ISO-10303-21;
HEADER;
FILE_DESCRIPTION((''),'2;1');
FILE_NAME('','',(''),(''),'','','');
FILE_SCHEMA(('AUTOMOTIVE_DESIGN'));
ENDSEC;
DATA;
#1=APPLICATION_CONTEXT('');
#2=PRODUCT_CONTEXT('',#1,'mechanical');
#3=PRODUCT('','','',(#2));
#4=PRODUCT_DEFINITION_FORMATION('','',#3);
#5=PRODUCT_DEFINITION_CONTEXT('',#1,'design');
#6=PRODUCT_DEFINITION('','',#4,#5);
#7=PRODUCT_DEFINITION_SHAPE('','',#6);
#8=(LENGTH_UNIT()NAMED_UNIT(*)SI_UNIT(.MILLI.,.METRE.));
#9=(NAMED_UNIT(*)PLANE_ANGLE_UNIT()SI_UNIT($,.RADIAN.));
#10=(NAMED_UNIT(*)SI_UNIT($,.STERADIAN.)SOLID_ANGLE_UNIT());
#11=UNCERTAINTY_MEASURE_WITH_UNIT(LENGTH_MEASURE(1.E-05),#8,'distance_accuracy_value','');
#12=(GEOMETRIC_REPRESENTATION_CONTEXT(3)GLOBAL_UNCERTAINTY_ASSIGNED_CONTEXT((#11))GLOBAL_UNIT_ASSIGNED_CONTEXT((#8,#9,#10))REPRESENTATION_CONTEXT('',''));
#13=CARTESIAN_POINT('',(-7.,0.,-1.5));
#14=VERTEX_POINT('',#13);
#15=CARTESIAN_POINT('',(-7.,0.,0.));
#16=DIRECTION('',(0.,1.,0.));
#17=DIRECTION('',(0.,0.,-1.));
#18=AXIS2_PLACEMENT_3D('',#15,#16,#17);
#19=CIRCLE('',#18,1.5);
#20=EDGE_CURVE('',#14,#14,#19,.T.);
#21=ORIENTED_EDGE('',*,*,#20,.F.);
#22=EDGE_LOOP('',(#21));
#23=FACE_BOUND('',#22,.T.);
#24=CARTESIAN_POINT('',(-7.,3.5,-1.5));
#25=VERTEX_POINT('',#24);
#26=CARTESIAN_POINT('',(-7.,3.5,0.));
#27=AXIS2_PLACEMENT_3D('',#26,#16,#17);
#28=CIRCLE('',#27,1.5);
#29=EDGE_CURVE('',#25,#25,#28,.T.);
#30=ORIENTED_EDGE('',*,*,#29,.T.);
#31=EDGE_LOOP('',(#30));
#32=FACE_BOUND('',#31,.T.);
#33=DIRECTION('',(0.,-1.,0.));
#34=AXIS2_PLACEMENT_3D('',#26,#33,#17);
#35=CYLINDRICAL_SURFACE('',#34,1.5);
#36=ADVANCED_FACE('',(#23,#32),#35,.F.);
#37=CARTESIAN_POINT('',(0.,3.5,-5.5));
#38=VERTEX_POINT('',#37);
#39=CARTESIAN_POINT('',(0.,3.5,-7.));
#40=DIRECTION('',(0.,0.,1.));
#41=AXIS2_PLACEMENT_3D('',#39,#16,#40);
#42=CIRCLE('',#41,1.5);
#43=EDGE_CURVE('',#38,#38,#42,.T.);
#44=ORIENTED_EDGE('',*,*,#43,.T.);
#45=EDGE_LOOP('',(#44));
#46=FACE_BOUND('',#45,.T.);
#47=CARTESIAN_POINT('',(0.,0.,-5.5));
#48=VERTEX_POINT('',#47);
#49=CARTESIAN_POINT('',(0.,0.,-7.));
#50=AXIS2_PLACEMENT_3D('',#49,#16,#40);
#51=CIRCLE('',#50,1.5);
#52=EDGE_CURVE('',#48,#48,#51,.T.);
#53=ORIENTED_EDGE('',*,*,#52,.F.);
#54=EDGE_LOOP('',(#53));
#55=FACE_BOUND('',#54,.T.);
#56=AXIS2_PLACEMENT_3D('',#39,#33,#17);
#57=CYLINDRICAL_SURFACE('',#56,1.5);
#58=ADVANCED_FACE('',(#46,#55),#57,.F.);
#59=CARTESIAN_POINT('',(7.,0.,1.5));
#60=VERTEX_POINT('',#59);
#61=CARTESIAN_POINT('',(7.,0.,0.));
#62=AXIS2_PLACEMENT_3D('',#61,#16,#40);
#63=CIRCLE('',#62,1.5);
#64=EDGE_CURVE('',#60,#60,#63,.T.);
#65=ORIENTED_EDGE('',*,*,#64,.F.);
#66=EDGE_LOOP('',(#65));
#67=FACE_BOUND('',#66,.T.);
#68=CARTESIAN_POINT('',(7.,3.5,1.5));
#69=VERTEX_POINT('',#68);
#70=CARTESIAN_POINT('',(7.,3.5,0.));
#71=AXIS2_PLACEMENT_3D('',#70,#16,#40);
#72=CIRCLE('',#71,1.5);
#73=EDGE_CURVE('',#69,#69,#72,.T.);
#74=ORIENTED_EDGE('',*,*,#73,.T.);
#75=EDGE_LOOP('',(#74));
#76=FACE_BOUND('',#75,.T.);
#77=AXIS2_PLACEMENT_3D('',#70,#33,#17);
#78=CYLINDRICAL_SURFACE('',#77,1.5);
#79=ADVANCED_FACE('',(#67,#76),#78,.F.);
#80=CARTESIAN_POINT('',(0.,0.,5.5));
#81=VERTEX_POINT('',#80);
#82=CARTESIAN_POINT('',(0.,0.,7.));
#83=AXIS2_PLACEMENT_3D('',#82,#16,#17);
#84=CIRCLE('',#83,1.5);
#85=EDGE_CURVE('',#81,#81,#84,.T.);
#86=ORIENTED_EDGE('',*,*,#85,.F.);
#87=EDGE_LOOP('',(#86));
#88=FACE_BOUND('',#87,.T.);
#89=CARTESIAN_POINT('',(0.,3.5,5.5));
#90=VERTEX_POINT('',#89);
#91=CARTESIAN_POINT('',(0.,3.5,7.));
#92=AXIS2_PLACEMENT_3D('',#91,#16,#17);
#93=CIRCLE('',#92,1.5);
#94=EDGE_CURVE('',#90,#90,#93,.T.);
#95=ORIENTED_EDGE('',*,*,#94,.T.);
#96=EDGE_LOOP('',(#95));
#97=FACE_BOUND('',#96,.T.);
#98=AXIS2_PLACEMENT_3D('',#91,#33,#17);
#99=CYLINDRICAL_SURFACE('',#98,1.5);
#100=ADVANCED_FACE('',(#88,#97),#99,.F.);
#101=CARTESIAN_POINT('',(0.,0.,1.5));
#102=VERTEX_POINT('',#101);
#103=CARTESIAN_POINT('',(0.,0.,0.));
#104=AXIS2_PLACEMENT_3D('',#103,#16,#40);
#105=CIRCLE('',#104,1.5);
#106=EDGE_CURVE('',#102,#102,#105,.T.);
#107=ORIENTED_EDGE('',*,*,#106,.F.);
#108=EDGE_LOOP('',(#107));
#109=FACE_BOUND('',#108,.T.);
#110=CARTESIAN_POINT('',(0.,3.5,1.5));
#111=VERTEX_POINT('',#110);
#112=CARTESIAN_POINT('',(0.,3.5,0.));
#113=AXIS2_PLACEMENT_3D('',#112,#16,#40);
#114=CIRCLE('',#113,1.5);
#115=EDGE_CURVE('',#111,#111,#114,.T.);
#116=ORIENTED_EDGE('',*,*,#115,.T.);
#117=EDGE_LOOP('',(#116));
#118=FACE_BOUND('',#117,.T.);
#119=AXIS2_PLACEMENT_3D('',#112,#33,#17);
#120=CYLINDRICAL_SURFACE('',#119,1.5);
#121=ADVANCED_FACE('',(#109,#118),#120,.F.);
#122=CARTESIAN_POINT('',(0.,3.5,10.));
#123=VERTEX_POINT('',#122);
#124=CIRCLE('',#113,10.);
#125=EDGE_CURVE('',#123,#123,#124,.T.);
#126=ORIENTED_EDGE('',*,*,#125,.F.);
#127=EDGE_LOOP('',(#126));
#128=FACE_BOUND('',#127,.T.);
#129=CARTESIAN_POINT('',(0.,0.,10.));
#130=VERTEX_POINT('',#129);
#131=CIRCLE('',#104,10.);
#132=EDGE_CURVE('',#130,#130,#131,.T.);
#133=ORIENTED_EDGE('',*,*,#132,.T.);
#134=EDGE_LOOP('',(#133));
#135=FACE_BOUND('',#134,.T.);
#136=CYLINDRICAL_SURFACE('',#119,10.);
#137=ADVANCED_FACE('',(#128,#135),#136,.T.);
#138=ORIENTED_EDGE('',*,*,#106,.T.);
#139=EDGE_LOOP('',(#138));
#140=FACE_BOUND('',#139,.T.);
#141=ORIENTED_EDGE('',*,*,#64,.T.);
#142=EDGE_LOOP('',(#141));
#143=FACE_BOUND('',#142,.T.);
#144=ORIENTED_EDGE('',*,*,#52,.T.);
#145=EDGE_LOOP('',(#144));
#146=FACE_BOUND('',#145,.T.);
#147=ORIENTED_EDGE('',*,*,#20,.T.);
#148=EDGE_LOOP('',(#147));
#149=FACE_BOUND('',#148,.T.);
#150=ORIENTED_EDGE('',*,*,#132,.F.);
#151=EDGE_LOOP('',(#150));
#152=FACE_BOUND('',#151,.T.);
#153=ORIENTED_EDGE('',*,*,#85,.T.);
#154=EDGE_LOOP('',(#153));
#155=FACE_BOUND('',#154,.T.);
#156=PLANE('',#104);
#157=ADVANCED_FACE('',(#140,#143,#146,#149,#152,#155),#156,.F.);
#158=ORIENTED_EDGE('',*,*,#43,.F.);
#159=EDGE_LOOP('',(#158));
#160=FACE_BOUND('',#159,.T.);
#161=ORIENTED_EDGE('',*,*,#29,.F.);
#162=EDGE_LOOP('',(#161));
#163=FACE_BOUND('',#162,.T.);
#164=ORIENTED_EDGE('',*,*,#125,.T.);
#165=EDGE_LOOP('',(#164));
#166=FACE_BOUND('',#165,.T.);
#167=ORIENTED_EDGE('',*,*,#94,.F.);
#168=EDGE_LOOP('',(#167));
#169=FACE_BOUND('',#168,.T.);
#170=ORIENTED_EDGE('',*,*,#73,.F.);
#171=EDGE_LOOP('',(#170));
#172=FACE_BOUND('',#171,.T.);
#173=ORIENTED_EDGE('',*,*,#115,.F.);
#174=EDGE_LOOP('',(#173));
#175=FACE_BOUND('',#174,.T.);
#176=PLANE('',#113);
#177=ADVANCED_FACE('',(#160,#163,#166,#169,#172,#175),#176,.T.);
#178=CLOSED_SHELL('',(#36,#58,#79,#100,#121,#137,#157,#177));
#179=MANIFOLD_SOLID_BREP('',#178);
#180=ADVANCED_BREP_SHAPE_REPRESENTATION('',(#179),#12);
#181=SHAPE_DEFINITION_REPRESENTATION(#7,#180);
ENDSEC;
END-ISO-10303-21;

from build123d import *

# Parameters (mm, degrees)
SKETCH_1_R      = 10
SKETCH_1_R_2    = 1.5
EXTRUDE_1_DEPTH = 3.5


with BuildPart() as part:
    # 草图1 → 凸台-拉伸1 (new body)
    with BuildSketch(Plane(origin=(0, 0, 0), x_dir=(1, 0, 0), z_dir=(0, 1, 0))):
        with Locations(Location((0, 0, 0), (0, 0, 270))):
            Circle(SKETCH_1_R)
        with Locations(Location((0, 7, 0), (0, 0, 270))):
            Circle(SKETCH_1_R_2, mode=Mode.SUBTRACT)
        with Locations(Location((7, 0, 0), (0, 0, 270))):
            Circle(SKETCH_1_R_2, mode=Mode.SUBTRACT)
        with Locations(Location((0, 0, 0), (0, 0, 270))):
            Circle(SKETCH_1_R_2, mode=Mode.SUBTRACT)
        with Locations(Location((0, -7, 0), (0, 0, 90))):
            Circle(SKETCH_1_R_2, mode=Mode.SUBTRACT)
        with Locations(Location((-7, 0, 0), (0, 0, 90))):
            Circle(SKETCH_1_R_2, mode=Mode.SUBTRACT)
    extrude(amount=EXTRUDE_1_DEPTH)


solid = part.part
